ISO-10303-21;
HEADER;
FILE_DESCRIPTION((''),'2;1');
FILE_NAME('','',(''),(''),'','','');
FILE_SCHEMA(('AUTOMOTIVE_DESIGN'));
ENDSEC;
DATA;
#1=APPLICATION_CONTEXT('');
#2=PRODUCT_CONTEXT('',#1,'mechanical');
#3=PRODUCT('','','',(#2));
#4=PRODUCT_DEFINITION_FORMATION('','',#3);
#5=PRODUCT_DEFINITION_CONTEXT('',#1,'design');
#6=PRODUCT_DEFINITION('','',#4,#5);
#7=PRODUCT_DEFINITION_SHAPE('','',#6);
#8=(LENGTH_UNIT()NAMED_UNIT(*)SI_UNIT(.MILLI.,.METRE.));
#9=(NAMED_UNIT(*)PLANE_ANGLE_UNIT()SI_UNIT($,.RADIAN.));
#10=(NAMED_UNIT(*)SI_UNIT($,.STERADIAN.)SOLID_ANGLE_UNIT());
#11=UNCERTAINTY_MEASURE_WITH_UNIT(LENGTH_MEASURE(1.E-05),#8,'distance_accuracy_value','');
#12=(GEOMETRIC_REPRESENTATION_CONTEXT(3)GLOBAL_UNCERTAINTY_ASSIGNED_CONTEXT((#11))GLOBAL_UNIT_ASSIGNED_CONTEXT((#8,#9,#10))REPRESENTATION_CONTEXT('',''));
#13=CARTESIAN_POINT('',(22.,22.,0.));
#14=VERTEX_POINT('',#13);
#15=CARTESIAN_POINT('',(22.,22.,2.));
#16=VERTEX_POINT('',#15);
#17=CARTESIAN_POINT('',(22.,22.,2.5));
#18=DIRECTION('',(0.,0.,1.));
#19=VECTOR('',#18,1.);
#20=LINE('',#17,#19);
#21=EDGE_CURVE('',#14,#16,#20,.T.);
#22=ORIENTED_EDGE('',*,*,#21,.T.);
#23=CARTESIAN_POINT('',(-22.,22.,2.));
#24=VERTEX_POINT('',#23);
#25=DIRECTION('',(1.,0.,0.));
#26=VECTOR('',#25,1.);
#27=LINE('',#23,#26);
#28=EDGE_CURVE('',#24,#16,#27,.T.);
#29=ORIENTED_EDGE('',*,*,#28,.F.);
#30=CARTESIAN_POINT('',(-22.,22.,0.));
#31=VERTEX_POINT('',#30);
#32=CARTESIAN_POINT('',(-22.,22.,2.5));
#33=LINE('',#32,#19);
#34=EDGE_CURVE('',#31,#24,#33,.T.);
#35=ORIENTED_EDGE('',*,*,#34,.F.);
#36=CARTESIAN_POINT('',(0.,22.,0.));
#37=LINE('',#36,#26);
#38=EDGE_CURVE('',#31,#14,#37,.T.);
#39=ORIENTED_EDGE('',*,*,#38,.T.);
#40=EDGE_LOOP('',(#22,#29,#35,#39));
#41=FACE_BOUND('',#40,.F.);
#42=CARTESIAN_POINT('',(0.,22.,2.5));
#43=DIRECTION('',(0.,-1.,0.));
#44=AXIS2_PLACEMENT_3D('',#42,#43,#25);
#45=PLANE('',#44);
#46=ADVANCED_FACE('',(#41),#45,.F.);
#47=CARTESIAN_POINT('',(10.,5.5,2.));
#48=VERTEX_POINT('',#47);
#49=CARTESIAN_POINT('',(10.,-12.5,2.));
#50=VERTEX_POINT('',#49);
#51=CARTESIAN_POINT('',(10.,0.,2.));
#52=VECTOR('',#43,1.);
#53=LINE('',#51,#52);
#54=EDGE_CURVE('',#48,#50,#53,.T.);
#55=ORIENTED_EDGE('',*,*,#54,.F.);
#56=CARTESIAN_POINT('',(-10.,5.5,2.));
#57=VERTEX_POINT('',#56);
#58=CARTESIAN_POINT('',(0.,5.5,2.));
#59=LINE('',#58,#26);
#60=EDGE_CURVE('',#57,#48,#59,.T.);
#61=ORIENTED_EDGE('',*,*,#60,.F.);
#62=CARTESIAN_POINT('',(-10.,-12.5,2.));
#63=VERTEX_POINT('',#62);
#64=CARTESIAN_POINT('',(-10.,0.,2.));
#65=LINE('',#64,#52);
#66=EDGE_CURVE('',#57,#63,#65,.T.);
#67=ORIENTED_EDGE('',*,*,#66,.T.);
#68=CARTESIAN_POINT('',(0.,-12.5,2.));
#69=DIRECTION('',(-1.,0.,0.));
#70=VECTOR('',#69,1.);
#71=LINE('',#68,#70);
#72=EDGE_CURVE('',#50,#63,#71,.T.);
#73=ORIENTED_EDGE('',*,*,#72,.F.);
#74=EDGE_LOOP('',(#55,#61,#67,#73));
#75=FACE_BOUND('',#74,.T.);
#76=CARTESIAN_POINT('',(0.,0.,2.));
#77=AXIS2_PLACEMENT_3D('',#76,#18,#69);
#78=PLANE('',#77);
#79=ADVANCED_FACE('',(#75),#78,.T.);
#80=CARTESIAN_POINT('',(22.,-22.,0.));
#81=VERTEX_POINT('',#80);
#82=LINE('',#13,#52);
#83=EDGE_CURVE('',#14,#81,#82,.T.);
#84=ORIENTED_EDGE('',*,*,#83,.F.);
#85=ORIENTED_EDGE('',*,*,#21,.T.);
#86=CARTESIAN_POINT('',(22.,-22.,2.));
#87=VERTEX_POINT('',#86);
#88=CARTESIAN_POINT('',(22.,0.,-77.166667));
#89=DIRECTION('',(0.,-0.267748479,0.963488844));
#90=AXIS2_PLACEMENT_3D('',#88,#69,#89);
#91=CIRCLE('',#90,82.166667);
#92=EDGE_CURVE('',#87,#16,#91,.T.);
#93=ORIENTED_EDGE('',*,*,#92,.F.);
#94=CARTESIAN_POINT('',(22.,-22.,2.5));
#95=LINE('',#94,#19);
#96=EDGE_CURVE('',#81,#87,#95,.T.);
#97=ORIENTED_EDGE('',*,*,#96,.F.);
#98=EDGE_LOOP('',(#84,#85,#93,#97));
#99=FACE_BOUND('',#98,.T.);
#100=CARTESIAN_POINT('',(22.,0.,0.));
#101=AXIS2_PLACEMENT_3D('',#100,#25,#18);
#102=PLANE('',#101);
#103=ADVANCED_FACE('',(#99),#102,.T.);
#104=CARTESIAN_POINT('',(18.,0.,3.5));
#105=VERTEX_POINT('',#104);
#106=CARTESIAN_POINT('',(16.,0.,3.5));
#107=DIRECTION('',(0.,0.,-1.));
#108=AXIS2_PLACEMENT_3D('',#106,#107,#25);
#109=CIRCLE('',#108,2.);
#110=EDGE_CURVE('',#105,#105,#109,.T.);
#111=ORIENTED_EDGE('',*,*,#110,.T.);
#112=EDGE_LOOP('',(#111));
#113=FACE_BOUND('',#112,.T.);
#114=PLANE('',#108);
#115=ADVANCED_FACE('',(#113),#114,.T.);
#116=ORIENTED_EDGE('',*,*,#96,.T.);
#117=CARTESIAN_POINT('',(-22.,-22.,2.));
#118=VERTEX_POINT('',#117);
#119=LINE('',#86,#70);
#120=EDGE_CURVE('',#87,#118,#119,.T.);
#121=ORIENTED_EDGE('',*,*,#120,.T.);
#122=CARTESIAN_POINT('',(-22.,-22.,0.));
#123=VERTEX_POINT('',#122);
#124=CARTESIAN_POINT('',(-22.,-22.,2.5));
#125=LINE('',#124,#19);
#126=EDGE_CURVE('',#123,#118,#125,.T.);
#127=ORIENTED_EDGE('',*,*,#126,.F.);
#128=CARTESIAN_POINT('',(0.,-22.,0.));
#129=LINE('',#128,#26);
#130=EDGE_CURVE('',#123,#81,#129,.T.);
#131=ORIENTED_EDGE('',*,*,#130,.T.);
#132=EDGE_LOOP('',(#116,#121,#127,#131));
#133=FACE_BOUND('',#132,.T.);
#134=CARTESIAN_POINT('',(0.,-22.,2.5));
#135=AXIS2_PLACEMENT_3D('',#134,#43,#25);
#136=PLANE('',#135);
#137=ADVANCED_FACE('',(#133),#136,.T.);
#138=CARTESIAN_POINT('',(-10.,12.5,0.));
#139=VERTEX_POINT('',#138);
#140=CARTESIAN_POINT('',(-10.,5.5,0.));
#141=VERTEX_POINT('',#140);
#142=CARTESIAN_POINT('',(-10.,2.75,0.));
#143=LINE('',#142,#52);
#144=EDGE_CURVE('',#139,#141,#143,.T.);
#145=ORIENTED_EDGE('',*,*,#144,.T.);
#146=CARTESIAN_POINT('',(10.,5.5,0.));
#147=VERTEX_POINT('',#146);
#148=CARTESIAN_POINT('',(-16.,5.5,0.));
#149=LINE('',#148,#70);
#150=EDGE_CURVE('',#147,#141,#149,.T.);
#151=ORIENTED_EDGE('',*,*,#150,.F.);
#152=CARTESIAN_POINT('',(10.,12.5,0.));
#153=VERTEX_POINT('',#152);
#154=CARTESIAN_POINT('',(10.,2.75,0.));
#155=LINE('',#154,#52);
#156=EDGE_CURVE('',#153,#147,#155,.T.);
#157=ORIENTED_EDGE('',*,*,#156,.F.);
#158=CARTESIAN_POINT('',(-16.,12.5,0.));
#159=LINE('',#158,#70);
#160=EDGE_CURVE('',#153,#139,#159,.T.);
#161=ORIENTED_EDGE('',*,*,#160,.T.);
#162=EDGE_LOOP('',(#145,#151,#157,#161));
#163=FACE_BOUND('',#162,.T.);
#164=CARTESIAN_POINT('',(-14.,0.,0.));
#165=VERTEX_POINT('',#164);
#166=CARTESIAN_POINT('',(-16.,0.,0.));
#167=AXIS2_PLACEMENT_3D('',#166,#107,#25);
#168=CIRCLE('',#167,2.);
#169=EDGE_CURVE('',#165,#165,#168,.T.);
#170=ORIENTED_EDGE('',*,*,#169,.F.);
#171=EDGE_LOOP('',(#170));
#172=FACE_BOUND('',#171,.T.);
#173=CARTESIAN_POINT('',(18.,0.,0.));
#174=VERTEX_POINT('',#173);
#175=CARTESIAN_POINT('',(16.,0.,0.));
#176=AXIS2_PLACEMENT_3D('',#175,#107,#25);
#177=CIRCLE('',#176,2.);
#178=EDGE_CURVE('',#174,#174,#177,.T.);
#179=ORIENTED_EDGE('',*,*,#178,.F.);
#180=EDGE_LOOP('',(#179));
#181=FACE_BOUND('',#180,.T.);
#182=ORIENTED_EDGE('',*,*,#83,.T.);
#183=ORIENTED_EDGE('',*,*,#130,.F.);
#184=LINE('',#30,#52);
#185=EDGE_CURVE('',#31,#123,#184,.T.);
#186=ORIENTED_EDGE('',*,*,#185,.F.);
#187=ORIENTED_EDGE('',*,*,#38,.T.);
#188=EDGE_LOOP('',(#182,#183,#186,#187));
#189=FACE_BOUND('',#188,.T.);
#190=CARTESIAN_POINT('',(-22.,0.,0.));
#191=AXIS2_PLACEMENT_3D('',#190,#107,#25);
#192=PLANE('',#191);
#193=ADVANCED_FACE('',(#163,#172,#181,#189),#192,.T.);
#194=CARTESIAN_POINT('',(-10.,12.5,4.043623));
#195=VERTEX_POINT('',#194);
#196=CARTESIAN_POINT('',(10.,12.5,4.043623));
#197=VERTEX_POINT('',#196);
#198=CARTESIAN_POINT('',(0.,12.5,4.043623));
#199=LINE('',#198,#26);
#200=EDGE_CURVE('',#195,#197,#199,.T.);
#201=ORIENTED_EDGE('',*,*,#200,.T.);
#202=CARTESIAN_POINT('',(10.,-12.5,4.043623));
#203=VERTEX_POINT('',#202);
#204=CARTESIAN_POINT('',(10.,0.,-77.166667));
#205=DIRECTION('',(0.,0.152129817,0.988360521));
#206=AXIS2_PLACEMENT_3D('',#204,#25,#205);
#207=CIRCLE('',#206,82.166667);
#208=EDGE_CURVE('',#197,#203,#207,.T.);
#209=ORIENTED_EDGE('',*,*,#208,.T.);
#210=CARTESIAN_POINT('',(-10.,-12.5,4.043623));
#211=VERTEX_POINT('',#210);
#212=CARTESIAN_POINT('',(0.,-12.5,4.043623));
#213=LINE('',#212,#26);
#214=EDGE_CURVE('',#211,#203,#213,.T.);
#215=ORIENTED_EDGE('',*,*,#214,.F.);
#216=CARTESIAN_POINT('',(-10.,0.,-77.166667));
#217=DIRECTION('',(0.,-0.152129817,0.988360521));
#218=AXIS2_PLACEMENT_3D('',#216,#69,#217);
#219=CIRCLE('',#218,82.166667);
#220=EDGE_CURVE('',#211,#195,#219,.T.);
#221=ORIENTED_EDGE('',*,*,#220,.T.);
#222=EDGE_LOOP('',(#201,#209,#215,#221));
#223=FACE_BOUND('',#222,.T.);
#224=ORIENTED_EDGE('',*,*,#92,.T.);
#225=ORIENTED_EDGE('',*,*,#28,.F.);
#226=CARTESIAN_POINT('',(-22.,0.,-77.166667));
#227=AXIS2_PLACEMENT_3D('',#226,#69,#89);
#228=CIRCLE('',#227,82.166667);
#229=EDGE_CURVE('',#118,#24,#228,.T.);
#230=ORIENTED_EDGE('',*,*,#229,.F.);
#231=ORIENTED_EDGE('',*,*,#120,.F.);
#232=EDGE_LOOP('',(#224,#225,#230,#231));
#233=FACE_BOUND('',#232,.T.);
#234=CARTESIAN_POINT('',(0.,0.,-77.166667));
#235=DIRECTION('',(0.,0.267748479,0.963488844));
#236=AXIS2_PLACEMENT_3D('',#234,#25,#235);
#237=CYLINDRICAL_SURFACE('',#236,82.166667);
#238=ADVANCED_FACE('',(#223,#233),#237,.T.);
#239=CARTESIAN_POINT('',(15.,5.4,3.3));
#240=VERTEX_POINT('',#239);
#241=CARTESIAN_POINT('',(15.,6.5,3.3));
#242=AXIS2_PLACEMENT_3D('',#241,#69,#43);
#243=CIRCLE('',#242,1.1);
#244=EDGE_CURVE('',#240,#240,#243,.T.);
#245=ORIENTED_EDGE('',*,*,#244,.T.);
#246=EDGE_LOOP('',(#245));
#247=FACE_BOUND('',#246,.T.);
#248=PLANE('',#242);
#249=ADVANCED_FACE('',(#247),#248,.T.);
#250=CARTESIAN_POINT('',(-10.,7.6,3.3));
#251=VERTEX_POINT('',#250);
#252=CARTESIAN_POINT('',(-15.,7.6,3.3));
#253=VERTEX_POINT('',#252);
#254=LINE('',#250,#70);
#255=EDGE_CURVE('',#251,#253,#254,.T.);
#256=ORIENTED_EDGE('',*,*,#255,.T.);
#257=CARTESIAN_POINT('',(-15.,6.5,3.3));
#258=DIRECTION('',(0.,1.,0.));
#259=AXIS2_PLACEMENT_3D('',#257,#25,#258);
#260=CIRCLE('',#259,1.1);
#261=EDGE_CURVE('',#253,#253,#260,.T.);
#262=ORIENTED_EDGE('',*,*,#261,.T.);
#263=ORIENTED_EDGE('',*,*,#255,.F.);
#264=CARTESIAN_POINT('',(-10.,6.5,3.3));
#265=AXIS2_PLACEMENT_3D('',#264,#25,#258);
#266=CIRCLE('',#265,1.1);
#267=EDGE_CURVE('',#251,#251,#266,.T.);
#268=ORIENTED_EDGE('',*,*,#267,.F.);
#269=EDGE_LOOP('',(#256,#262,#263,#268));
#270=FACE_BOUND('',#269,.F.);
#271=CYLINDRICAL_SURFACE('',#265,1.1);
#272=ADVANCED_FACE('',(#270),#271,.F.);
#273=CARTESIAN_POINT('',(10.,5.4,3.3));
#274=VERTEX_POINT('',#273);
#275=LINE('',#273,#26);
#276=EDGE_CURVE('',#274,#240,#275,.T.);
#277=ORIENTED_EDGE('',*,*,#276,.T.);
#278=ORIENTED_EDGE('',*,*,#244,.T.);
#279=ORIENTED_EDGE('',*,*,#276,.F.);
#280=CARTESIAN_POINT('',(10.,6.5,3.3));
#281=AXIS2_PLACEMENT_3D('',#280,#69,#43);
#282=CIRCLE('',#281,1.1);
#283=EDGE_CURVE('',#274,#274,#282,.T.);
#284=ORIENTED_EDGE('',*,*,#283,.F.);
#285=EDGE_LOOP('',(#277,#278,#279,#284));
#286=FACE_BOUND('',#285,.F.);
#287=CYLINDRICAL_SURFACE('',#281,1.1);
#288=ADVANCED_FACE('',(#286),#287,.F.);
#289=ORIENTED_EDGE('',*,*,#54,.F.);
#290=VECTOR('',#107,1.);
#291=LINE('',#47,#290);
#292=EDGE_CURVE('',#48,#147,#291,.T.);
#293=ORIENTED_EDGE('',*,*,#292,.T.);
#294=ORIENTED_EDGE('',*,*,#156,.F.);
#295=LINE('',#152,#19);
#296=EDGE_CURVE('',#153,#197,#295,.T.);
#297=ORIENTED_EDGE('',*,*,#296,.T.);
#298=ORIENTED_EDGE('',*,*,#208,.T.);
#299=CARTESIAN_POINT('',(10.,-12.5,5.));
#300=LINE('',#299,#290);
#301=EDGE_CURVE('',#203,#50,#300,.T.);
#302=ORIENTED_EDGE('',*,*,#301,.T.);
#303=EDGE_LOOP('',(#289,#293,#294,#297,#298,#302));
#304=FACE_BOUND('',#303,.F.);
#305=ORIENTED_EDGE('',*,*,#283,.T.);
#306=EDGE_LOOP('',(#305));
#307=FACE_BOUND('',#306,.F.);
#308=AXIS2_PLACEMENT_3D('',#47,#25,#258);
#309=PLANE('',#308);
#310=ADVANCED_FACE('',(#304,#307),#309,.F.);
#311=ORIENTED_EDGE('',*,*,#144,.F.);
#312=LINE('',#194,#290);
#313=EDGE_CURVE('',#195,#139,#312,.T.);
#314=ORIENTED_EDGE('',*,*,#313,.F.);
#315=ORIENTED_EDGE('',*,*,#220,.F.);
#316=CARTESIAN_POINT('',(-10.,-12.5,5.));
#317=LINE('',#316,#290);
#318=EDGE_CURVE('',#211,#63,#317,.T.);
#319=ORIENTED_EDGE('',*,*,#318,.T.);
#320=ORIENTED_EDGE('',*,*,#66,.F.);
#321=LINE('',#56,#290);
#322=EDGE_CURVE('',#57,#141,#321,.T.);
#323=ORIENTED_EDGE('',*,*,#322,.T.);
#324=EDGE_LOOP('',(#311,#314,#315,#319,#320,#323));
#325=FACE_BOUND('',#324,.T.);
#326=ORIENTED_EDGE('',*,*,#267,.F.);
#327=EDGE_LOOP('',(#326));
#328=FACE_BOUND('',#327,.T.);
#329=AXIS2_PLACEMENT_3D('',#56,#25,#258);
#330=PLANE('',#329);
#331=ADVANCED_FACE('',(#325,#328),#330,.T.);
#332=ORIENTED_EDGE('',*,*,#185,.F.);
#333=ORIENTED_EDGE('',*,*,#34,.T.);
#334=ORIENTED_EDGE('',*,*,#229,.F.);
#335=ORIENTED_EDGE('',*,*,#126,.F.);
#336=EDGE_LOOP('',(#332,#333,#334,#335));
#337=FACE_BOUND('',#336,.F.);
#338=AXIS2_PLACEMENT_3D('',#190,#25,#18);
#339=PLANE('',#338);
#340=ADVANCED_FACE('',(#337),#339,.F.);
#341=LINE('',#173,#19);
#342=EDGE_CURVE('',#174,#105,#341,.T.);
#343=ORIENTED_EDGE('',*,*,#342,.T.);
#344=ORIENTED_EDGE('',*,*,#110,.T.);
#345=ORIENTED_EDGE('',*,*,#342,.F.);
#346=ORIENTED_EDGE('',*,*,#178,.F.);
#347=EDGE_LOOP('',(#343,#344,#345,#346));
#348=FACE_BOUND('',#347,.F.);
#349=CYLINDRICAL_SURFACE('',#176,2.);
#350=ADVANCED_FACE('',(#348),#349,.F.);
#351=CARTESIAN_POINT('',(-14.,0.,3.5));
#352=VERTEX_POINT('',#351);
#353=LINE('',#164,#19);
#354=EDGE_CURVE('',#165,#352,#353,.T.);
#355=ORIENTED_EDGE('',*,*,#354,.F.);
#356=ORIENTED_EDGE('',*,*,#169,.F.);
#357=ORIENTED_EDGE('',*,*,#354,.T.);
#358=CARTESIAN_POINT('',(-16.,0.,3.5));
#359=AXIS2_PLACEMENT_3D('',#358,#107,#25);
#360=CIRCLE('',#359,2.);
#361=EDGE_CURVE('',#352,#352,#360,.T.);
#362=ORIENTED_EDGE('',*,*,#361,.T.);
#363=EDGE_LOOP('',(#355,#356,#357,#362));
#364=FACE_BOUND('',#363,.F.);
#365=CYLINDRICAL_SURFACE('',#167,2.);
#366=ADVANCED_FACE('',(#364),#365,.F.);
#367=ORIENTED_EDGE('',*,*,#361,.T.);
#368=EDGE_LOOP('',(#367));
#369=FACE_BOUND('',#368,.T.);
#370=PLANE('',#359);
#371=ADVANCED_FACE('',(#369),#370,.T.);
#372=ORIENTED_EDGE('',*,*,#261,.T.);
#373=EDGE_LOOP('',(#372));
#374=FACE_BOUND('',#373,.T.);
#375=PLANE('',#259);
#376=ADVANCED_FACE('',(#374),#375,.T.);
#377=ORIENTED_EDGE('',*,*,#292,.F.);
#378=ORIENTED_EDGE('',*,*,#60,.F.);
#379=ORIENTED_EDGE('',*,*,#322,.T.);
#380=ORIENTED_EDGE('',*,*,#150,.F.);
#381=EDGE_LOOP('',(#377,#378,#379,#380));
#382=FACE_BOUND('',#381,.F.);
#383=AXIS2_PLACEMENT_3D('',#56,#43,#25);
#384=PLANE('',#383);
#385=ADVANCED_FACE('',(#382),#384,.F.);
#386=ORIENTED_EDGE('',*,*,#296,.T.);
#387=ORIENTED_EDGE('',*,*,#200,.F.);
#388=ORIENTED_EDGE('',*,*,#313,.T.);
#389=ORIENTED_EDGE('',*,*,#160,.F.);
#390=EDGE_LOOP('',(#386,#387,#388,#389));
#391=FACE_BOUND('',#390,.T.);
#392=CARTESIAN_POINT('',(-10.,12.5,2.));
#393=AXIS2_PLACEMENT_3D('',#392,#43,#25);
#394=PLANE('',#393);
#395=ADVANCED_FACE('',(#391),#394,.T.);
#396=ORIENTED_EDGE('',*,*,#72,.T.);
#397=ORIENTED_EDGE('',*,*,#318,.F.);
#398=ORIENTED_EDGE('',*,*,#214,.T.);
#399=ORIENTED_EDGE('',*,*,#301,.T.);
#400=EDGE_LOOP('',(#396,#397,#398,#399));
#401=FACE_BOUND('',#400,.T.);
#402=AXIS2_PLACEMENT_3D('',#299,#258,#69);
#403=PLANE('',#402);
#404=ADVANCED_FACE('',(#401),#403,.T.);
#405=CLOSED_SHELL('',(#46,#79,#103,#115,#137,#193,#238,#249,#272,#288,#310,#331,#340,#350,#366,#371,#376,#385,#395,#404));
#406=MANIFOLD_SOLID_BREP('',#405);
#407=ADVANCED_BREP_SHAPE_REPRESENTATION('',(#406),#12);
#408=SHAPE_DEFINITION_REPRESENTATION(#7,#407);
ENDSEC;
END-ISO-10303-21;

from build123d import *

# Parameters (mm, degrees)
PAD001_DEPTH    = 22
SKETCH_W        = 44
SKETCH_H        = 5
PAD_DEPTH       = 22
SKETCH001_W     = 20
SKETCH001_H     = 25
POCKET_DEPTH    = 3
SKETCH003_R     = 1.1
POCKET001_DEPTH = 5
SKETCH004_R     = 1.1
POCKET002_DEPTH = 5
SKETCH005_W     = 20
SKETCH005_H     = 7
POCKET003_DEPTH = 2.001
SKETCH007_R     = 2
POCKET004_DEPTH = 3.5


with BuildPart() as pad001:
    # Sketch002 → Pad001 (new body, symmetric)
    with BuildSketch(Plane.YZ):
        with BuildLine():
            Line((-22, 0), (22, 0))
            Line((22, 0), (22, 2))
            ThreePointArc((22, 2), (0, 5), (-22, 2))
            Line((-22, 2), (-22, 0))
        make_face()
    extrude(amount=PAD001_DEPTH, both=True)


with BuildPart() as base_tirador:
    # Sketch → Pad (new body, symmetric)
    with BuildSketch(Plane.XZ):
        with Locations((0, 2.5)):
            Rectangle(SKETCH_W, SKETCH_H)
    extrude(amount=PAD_DEPTH, both=True)

    # Sketch001 → Pocket (cut)
    with BuildSketch(Plane(origin=(0, 0, 5), x_dir=(-1, 0, 0), z_dir=(0, 0, 1))):
        Rectangle(SKETCH001_W, SKETCH001_H)
    extrude(amount=-POCKET_DEPTH, mode=Mode.SUBTRACT)

    # Common: intersect Pad001
    add(pad001.part, mode=Mode.INTERSECT)

    # Sketch003 → Pocket001 (cut)
    with BuildSketch(Plane.YZ.offset(-10)):
        with Locations((6.5, 3.3)):
            Circle(SKETCH003_R)
    extrude(amount=-POCKET001_DEPTH, mode=Mode.SUBTRACT)

    # Sketch004 → Pocket002 (cut)
    with BuildSketch(Plane(origin=(10, 0, 0), x_dir=(0, -1, 0), z_dir=(-1, 0, 0))):
        with Locations((-6.5, 3.3)):
            Circle(SKETCH004_R)
    extrude(amount=-POCKET002_DEPTH, mode=Mode.SUBTRACT)

    # Sketch005 → Pocket003 (cut, through all)
    with BuildSketch(Plane.XY.offset(2)):
        with Locations((0, 9)):
            Rectangle(SKETCH005_W, SKETCH005_H)
    extrude(amount=-POCKET003_DEPTH, mode=Mode.SUBTRACT)

    # Sketch007 → Pocket004 (cut)
    with BuildSketch(Plane(origin=(0, 0, 0), x_dir=(1, 0, 0), z_dir=(0, 0, -1))):
        with Locations((-16, 0)):
            Circle(SKETCH007_R)
        with Locations((16, 0)):
            Circle(SKETCH007_R)
    extrude(amount=-POCKET004_DEPTH, mode=Mode.SUBTRACT)


solid = base_tirador.part
